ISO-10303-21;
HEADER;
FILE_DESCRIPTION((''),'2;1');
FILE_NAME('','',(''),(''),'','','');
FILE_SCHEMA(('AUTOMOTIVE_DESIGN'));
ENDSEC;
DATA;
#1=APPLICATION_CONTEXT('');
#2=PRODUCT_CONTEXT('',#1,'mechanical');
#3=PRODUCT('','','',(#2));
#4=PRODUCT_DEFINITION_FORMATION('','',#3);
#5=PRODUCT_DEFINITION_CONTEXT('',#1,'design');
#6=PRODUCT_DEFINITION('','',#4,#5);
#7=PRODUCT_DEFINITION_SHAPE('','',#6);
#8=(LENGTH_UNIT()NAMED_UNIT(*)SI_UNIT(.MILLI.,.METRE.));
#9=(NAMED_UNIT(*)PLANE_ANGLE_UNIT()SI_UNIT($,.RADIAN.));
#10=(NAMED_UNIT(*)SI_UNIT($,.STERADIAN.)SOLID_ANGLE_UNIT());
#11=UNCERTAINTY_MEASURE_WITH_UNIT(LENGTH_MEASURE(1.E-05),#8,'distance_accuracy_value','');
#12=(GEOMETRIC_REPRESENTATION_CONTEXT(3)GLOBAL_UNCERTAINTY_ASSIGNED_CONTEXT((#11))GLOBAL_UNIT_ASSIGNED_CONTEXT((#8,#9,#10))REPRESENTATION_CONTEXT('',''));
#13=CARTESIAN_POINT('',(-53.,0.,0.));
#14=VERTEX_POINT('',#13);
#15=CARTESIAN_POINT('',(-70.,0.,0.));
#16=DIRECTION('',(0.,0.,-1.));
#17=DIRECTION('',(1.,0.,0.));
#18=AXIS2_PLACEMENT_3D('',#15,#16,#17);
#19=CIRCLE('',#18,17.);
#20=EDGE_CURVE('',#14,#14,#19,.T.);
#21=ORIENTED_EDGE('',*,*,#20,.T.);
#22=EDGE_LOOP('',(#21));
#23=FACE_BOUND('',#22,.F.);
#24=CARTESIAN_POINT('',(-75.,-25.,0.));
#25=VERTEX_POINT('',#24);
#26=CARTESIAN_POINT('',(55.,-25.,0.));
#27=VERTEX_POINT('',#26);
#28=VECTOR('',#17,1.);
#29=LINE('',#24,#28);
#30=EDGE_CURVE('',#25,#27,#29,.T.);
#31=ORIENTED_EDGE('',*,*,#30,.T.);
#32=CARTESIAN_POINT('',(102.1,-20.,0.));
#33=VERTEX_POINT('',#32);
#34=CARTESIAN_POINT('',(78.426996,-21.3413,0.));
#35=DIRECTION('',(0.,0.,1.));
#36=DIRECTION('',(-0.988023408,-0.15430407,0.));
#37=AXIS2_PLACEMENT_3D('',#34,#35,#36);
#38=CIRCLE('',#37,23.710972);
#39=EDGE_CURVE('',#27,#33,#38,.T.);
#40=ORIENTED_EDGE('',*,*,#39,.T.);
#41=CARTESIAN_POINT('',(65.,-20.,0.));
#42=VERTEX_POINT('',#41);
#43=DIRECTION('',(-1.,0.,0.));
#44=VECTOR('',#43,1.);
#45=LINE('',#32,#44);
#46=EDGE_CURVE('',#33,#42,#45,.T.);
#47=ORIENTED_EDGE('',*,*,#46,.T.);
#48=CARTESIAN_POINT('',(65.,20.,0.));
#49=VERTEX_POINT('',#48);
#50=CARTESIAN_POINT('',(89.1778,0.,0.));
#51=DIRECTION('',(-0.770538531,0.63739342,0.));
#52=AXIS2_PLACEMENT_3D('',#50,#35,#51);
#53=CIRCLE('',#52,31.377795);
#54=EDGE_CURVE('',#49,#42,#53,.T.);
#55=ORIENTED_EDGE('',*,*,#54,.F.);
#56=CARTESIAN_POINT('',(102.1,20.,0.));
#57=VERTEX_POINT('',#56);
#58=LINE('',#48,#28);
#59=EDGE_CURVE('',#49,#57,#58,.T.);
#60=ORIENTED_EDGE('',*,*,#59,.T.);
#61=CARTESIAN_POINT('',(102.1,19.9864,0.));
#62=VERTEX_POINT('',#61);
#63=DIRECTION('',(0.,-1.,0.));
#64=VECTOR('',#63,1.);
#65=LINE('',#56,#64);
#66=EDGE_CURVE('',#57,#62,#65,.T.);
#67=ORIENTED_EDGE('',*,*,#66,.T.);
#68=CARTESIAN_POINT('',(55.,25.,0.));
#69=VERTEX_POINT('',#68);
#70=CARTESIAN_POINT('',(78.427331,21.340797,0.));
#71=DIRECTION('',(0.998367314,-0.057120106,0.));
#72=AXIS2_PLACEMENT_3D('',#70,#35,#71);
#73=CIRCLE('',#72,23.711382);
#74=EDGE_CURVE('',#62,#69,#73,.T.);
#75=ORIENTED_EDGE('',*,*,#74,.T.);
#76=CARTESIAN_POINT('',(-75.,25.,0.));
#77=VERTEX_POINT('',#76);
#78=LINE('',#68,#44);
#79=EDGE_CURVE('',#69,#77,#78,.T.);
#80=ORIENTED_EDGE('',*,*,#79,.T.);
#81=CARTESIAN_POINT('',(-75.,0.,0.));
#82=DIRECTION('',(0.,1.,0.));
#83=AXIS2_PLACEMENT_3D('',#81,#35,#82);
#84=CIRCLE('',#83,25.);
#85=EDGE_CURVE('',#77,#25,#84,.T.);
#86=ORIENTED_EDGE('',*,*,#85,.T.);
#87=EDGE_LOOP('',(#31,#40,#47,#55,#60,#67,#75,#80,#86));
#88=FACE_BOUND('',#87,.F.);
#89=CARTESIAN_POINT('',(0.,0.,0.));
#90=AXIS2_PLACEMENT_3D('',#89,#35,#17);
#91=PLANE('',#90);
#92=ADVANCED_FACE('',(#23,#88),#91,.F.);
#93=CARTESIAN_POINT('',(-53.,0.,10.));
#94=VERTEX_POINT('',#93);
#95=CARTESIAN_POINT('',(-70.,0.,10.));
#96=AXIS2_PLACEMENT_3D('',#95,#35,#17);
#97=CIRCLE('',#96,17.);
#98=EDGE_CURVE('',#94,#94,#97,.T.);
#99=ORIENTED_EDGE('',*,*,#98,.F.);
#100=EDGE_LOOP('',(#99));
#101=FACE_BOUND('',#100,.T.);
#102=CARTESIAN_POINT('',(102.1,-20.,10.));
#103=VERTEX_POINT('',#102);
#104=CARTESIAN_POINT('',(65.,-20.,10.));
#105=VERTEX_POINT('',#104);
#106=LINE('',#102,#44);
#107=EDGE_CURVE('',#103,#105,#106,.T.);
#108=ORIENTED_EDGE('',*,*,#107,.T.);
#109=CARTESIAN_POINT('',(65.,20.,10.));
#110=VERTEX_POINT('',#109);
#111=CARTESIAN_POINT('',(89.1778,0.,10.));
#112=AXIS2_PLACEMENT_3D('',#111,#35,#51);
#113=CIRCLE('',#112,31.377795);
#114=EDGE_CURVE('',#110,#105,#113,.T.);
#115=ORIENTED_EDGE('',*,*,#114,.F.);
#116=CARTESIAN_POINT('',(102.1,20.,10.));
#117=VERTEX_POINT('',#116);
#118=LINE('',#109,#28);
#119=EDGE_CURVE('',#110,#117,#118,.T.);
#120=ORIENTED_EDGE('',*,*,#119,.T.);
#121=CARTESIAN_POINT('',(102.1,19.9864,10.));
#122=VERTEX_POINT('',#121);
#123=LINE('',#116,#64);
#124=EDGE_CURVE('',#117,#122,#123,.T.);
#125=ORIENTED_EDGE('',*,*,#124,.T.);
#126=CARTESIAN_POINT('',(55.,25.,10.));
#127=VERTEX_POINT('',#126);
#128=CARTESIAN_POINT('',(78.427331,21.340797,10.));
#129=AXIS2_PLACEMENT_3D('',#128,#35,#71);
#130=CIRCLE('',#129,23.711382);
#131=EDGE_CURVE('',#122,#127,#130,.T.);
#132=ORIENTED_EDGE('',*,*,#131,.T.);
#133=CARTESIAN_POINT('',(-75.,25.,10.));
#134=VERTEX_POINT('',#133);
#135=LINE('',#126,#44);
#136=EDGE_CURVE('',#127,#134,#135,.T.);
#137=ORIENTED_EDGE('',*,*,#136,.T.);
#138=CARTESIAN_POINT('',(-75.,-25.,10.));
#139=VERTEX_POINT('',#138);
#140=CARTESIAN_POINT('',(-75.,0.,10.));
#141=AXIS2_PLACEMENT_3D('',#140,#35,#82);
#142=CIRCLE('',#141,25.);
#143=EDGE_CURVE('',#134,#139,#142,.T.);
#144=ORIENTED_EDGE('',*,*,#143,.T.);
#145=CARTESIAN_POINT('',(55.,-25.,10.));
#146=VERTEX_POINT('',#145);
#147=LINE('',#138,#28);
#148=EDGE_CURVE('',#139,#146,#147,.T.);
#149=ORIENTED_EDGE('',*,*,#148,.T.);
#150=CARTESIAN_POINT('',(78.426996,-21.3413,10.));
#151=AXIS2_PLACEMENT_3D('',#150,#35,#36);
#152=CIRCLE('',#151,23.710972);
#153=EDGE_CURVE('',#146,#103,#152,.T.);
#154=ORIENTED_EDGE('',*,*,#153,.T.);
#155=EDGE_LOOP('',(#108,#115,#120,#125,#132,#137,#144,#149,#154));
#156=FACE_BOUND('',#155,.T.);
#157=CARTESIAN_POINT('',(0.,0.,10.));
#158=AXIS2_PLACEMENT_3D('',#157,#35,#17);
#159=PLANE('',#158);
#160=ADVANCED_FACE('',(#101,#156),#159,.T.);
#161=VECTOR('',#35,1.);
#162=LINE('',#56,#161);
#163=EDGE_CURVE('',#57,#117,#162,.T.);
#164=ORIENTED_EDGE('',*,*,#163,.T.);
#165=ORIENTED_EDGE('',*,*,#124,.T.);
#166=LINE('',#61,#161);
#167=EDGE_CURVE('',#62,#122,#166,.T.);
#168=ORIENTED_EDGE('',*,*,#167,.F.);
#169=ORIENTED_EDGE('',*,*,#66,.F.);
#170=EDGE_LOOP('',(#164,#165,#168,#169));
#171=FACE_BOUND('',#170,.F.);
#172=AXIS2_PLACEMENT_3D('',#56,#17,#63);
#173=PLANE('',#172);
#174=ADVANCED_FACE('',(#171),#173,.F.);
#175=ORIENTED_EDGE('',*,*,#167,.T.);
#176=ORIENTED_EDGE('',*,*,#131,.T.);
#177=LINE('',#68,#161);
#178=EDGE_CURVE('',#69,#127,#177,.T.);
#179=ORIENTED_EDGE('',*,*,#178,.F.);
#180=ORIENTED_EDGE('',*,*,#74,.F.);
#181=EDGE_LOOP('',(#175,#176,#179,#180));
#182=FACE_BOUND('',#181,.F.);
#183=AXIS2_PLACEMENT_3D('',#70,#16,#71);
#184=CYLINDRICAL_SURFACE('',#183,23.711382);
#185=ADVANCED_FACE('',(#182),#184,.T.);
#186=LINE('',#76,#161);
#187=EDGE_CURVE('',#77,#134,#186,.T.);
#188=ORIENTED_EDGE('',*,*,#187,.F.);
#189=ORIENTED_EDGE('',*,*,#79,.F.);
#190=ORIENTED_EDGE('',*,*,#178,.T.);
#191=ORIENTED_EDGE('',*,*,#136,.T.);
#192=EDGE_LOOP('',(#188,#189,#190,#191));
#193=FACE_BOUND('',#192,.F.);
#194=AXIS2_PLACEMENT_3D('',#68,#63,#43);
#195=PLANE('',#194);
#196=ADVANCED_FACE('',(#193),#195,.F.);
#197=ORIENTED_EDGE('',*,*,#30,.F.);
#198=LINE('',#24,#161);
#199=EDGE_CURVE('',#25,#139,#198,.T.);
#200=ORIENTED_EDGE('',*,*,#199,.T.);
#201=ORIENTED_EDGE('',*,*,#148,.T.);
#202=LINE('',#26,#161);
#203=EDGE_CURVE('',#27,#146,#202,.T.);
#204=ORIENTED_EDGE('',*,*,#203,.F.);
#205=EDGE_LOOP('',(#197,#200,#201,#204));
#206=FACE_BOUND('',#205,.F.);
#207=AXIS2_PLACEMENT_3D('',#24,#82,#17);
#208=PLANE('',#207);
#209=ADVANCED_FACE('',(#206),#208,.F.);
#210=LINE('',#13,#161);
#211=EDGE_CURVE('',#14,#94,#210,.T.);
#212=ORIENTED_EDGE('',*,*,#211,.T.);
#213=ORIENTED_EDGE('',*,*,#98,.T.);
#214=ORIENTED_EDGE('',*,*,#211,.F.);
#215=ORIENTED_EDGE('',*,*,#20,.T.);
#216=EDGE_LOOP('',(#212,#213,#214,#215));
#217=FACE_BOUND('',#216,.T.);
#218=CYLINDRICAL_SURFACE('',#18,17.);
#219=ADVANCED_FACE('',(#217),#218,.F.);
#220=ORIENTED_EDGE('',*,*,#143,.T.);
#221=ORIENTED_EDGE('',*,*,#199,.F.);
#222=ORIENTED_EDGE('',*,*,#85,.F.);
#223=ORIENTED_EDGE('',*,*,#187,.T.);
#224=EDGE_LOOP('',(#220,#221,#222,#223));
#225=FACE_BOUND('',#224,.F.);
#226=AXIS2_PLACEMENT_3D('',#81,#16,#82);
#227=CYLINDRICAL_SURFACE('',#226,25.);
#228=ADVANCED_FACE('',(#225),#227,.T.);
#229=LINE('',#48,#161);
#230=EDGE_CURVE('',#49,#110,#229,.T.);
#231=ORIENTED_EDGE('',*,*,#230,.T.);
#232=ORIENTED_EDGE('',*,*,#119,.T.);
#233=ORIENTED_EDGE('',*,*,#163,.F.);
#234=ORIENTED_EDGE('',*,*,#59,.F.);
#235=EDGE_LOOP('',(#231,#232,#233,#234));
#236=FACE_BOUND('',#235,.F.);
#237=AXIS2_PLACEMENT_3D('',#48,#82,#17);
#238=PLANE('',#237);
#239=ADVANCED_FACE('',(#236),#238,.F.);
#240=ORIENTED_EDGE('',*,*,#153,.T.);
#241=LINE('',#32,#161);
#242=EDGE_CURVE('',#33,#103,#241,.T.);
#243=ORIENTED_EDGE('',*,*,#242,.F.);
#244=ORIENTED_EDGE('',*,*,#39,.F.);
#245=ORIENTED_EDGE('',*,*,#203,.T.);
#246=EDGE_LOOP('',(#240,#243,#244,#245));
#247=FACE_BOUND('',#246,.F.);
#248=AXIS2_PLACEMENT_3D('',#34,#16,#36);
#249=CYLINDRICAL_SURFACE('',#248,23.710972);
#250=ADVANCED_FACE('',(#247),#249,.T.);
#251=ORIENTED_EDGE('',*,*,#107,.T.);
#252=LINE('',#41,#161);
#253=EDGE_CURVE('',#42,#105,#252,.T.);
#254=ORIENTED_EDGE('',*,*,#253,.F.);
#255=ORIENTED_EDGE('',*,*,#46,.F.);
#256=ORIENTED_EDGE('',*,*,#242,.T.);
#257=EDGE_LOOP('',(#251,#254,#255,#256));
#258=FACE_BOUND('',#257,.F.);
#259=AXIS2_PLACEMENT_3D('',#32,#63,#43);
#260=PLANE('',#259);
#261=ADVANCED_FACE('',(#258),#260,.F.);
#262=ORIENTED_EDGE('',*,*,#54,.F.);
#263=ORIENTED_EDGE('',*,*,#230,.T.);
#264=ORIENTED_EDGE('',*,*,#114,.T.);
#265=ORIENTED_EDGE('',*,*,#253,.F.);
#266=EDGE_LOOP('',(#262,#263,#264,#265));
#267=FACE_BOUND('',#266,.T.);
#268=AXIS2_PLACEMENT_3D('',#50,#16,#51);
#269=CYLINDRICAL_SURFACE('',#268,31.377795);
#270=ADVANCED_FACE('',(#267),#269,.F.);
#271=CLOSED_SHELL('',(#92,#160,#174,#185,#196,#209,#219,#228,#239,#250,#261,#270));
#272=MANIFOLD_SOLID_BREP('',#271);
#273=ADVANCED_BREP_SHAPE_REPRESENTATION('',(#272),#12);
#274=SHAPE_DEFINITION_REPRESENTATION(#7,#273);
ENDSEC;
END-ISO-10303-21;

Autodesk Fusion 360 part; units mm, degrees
sketch "Sketch2" plane through (0, 0, 0) normal (0, 0, 1) x (1, 0, 0)
  circle A0 centre (-70, 0) radius 17
  arc A1 (65, 20) -> (65, -20) centre (89.1778, 0) ccw
  line L0 (65, -20) -> (102, -20)
  line L1 (65, 19.9864) -> (102.1, 19.9864)
  line L2 (102.1, 19.9864) -> (102.1, -20)
  line L3 (102.1, -20) -> (65, -20)
  arc A2 (102.1, 19.9864) -> (55, 25) centre (78.4273, 21.3408) ccw
  arc A3 (55, -25) -> (102.1, -20) centre (78.427, -21.3413) ccw
  line L4 (55, 25) -> (-75, 25)
  line L5 (-75, 25) -> (-75, -25)
  line L6 (-75, -25) -> (55, -25)
  arc A4 (-75, 25) -> (-75, -25) centre (-75, 0) ccw
  point P0 (100, -20)
  point P1 (100, 20)
  point P2 (57.8, 0.0068)
  point P3 (55, 25)
  point P4 (55, -25)
  dimension "d3" = 34
sketch "Sketch3" plane through (0, 0, 0) normal (0, 0, 1) x (1, 0, 0)
  line L0 (65, 20) -> (102.1, 20)
  line L1 (102.1, 20) -> (102.1, -20)
  line L2 (102.1, -20) -> (65, -20)
  line L3 (65, -20) -> (65, 20)
  line L4 (65, 20) -> (65, -20)
  arc A0 (65, 20) -> (65, -20) centre (89.1778, 0) ccw
extrude "Extrude1" add sketch "Sketch2" along normal blind 10 contours A0 L2 A2 A3 L4 L5 L6 | A0 L5 A4
extrude "Extrude2" cut sketch "Sketch3" along normal blind 10
